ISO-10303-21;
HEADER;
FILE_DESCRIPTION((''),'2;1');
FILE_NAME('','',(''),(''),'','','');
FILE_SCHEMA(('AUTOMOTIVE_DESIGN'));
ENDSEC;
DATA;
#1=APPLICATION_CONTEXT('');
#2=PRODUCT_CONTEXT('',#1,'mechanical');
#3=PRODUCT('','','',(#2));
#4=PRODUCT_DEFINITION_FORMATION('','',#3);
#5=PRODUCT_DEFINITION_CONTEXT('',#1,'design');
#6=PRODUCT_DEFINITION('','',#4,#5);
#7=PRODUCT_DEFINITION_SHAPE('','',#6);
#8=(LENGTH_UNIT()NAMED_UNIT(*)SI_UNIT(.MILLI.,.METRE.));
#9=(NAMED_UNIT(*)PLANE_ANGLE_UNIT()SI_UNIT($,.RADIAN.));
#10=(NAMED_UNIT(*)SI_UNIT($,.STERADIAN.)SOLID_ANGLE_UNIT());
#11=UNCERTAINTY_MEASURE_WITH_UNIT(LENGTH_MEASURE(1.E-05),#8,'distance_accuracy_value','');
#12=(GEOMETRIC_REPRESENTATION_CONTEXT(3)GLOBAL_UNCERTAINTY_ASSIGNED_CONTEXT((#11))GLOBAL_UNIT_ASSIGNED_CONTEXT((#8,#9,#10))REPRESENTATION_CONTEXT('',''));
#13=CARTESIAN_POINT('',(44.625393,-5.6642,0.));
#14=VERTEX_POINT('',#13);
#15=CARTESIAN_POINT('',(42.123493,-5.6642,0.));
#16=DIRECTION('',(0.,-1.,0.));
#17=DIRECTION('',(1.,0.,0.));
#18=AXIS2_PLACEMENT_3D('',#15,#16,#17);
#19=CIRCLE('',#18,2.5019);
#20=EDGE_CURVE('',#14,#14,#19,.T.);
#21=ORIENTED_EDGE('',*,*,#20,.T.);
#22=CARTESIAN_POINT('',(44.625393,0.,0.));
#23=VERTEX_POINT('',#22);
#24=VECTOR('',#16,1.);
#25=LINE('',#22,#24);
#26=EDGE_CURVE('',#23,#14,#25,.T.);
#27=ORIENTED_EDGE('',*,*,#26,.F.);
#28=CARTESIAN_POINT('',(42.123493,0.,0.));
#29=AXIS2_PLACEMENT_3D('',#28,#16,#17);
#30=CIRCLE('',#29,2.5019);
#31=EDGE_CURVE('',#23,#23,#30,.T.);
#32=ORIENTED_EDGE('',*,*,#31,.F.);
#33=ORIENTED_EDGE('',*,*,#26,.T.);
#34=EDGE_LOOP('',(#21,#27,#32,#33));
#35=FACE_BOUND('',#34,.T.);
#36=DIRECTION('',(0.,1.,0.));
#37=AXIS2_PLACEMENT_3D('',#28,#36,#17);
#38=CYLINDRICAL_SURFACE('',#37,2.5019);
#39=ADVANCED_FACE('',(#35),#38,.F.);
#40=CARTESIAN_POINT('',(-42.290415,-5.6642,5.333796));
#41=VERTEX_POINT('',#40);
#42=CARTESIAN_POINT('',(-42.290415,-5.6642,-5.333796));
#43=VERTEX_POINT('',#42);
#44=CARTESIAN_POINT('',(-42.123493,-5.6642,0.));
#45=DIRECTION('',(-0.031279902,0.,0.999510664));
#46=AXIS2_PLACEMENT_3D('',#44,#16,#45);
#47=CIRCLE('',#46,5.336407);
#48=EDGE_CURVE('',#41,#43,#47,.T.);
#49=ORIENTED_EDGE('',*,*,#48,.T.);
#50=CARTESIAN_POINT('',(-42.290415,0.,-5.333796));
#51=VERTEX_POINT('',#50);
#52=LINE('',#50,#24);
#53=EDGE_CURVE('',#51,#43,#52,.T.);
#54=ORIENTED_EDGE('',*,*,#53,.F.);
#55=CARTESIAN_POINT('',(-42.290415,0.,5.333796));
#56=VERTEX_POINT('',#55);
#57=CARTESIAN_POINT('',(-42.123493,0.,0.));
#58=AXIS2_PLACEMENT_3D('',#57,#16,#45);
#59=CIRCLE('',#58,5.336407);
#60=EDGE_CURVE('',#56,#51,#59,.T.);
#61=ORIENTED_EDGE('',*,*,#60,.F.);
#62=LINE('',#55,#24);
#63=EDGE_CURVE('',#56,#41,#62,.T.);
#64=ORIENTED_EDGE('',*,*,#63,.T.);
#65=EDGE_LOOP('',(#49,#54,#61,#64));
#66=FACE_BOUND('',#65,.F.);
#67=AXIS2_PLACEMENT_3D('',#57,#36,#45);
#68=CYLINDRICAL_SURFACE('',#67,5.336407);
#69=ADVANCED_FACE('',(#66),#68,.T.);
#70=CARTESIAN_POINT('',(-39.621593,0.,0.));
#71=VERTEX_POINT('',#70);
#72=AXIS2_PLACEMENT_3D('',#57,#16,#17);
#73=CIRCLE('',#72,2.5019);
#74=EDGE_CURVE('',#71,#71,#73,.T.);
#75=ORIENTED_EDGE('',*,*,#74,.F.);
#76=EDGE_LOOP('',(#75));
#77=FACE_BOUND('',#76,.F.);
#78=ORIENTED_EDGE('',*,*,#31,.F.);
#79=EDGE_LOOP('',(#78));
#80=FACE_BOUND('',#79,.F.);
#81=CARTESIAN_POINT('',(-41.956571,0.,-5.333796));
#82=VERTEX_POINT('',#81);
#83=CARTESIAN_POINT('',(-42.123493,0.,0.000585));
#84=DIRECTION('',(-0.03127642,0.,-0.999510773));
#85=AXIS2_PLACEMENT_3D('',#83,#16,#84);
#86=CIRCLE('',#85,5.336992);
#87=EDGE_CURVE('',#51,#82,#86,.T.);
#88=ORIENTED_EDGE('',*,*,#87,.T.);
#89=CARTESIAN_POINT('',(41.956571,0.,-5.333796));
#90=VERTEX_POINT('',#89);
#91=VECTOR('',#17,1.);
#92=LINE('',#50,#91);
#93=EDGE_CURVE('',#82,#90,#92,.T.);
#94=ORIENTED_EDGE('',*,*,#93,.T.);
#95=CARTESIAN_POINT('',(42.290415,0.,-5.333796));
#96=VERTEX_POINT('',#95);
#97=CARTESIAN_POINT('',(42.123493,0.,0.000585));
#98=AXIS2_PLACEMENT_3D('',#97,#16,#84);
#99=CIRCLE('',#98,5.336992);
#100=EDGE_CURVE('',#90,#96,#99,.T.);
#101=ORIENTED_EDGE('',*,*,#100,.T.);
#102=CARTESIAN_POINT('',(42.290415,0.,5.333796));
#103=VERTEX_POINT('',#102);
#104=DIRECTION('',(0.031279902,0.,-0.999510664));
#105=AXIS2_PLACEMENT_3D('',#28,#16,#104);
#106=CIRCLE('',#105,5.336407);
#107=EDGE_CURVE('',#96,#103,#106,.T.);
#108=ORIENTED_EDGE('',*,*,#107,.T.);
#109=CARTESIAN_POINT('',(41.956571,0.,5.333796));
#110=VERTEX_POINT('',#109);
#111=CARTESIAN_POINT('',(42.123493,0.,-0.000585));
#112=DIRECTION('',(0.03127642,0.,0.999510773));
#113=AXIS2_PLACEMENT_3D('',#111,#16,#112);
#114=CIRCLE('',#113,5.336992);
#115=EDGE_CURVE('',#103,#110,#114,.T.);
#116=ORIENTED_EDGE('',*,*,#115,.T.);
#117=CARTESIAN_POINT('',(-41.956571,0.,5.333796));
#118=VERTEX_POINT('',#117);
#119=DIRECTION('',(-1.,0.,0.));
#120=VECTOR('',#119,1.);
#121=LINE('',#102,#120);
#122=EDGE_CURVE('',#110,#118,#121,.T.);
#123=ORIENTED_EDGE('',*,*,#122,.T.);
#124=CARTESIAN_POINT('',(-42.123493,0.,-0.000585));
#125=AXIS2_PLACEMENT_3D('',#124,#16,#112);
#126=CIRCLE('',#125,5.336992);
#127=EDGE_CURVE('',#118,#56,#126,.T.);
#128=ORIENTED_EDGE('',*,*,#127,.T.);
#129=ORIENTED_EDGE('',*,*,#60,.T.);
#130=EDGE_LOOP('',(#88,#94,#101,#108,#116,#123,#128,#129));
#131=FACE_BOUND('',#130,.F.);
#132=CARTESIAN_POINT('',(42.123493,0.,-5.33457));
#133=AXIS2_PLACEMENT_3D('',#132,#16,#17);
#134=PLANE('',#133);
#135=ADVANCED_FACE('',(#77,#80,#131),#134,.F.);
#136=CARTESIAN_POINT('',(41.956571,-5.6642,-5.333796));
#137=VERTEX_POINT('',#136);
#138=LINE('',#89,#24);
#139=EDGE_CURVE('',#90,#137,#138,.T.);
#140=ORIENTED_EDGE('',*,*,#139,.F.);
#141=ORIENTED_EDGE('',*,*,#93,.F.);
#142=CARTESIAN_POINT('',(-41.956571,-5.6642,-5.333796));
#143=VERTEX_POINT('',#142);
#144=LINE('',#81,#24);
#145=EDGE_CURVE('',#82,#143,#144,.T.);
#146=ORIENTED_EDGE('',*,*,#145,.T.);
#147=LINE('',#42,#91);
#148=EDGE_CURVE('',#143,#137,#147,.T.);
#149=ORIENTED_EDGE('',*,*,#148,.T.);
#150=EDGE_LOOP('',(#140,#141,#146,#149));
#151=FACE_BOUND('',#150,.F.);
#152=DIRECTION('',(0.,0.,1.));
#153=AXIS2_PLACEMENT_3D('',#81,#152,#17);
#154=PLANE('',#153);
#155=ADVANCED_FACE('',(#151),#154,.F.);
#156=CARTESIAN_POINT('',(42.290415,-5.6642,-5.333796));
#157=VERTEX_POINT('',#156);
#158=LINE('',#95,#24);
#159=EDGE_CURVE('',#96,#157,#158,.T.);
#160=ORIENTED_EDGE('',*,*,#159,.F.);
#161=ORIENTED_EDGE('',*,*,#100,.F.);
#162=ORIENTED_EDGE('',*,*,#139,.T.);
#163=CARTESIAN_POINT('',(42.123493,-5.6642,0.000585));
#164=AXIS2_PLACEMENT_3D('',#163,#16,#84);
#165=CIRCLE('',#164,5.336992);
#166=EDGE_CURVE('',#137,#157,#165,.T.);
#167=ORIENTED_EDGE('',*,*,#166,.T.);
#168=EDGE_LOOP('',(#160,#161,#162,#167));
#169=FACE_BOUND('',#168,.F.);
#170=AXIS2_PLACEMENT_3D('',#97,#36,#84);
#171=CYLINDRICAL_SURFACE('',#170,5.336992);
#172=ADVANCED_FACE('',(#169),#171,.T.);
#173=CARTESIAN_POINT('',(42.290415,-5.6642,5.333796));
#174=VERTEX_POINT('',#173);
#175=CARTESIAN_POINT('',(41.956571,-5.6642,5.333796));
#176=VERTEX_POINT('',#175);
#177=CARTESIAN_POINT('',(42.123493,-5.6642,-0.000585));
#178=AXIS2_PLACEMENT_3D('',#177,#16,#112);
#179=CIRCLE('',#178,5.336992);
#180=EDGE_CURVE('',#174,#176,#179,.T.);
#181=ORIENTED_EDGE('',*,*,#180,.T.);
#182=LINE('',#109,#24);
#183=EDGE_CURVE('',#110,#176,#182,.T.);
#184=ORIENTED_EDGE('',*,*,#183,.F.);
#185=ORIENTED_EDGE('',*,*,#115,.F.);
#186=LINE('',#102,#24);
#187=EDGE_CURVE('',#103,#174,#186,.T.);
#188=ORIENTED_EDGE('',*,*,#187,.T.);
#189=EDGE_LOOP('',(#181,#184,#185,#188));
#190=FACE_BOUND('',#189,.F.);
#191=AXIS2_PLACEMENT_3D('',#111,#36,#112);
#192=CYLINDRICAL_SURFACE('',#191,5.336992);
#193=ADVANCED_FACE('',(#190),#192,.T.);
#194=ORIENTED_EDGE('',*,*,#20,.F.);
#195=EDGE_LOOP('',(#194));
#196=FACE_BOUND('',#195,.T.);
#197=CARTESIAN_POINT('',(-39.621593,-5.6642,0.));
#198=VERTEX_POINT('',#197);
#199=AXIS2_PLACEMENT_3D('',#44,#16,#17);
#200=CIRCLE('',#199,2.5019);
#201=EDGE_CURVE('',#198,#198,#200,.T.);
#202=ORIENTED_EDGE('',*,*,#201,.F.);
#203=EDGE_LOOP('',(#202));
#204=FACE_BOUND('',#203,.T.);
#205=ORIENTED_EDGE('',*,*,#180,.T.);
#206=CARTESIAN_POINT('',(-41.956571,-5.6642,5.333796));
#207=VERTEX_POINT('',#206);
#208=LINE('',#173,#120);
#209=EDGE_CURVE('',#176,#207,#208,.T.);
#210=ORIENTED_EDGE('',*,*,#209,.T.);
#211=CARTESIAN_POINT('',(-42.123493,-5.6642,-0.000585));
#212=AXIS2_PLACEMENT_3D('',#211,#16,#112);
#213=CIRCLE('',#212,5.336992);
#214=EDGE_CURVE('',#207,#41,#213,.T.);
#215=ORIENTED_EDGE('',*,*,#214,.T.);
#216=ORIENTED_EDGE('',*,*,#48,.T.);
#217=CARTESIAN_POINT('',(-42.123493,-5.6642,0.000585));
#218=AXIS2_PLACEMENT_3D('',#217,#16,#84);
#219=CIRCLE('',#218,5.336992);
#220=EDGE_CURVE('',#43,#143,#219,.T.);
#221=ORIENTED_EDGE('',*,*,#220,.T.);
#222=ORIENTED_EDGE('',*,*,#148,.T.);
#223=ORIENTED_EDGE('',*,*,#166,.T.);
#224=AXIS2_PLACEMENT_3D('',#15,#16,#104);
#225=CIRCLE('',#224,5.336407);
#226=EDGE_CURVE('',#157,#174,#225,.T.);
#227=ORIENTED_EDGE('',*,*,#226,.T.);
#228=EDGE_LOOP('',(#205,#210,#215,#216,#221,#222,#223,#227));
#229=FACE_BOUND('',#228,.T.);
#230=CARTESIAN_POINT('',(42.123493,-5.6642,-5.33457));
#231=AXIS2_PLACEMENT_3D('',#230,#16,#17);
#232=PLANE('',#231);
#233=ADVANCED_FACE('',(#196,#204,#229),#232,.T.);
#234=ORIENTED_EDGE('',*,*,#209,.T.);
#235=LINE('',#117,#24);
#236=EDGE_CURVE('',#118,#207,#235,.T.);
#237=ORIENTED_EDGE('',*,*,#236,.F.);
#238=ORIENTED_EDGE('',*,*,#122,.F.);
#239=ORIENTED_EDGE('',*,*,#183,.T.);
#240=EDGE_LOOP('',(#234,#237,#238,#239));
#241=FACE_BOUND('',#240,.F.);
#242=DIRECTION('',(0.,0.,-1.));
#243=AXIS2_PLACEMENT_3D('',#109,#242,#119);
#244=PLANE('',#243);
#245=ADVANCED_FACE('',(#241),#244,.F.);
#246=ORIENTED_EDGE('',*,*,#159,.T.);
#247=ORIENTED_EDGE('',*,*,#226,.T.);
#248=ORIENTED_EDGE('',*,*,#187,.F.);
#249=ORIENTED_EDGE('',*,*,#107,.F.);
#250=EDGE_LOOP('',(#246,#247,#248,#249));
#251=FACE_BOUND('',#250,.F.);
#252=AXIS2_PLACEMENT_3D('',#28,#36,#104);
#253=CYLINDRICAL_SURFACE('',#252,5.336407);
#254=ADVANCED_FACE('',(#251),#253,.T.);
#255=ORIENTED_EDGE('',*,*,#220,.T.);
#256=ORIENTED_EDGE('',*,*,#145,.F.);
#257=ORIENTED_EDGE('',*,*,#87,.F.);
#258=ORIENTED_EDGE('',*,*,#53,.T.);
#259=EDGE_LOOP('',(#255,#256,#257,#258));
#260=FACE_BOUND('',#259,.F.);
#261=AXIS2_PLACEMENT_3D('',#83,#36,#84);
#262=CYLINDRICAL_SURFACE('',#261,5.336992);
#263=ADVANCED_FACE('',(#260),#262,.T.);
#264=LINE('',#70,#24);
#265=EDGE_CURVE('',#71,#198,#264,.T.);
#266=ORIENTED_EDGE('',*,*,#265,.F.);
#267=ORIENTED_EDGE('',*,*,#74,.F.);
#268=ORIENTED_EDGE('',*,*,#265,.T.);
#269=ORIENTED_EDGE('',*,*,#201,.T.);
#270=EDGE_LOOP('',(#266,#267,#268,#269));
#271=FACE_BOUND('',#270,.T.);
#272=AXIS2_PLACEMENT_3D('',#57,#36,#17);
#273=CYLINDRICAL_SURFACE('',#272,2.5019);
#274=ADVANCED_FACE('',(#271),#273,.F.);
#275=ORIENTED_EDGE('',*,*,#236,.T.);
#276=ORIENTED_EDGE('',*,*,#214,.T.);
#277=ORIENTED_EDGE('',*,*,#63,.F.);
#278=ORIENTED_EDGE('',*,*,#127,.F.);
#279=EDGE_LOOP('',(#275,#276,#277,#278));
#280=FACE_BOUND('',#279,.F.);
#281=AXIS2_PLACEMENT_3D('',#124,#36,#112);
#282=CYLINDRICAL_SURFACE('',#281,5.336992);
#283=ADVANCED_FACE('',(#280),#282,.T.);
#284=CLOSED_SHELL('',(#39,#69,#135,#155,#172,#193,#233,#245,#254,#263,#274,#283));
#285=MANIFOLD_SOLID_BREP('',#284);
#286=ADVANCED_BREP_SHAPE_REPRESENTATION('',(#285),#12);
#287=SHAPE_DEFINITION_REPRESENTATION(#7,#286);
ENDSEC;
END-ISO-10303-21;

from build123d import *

# Parameters (mm, degrees)
F0_R     = 2.5019
F1_DEPTH = 5.6642


with BuildPart() as f1:
    # F0 (on Front) → F1 (new body)
    with BuildSketch(Plane.XZ):
        with BuildLine():
            ThreePointArc((41.956571, -5.333796), (42.123493, -5.336407), (42.290415, -5.333796))
            Line((42.290415, -5.333796), (41.956571, -5.333796))
        make_face()
        with BuildLine():
            Line((41.956571, -5.333796), (42.290415, -5.333796))
            ThreePointArc((42.290415, -5.333796), (47.4599, 0), (42.290415, 5.333796))
            Line((42.290415, 5.333796), (41.956571, 5.333796))
            Line((41.956571, 5.333796), (-41.956571, 5.333796))
            Line((-41.956571, 5.333796), (-42.290415, 5.333796))
            ThreePointArc((-42.290415, 5.333796), (-47.4599, 0), (-42.290415, -5.333796))
            Line((-42.290415, -5.333796), (-41.956571, -5.333796))
            Line((-41.956571, -5.333796), (41.956571, -5.333796))
        make_face()
        with Locations((-42.123493, 0)):
            Circle(F0_R, mode=Mode.SUBTRACT)
        with Locations((42.123493, 0)):
            Circle(F0_R, mode=Mode.SUBTRACT)
        with BuildLine():
            Line((41.956571, 5.333796), (42.290415, 5.333796))
            ThreePointArc((42.290415, 5.333796), (42.123493, 5.336407), (41.956571, 5.333796))
        make_face()
        with BuildLine():
            ThreePointArc((-42.290415, -5.333796), (-42.123493, -5.336407), (-41.956571, -5.333796))
            Line((-41.956571, -5.333796), (-42.290415, -5.333796))
        make_face()
        with BuildLine():
            Line((-42.290415, 5.333796), (-41.956571, 5.333796))
            ThreePointArc((-41.956571, 5.333796), (-42.123493, 5.336407), (-42.290415, 5.333796))
        make_face()
    extrude(amount=F1_DEPTH)


solid = f1.part
